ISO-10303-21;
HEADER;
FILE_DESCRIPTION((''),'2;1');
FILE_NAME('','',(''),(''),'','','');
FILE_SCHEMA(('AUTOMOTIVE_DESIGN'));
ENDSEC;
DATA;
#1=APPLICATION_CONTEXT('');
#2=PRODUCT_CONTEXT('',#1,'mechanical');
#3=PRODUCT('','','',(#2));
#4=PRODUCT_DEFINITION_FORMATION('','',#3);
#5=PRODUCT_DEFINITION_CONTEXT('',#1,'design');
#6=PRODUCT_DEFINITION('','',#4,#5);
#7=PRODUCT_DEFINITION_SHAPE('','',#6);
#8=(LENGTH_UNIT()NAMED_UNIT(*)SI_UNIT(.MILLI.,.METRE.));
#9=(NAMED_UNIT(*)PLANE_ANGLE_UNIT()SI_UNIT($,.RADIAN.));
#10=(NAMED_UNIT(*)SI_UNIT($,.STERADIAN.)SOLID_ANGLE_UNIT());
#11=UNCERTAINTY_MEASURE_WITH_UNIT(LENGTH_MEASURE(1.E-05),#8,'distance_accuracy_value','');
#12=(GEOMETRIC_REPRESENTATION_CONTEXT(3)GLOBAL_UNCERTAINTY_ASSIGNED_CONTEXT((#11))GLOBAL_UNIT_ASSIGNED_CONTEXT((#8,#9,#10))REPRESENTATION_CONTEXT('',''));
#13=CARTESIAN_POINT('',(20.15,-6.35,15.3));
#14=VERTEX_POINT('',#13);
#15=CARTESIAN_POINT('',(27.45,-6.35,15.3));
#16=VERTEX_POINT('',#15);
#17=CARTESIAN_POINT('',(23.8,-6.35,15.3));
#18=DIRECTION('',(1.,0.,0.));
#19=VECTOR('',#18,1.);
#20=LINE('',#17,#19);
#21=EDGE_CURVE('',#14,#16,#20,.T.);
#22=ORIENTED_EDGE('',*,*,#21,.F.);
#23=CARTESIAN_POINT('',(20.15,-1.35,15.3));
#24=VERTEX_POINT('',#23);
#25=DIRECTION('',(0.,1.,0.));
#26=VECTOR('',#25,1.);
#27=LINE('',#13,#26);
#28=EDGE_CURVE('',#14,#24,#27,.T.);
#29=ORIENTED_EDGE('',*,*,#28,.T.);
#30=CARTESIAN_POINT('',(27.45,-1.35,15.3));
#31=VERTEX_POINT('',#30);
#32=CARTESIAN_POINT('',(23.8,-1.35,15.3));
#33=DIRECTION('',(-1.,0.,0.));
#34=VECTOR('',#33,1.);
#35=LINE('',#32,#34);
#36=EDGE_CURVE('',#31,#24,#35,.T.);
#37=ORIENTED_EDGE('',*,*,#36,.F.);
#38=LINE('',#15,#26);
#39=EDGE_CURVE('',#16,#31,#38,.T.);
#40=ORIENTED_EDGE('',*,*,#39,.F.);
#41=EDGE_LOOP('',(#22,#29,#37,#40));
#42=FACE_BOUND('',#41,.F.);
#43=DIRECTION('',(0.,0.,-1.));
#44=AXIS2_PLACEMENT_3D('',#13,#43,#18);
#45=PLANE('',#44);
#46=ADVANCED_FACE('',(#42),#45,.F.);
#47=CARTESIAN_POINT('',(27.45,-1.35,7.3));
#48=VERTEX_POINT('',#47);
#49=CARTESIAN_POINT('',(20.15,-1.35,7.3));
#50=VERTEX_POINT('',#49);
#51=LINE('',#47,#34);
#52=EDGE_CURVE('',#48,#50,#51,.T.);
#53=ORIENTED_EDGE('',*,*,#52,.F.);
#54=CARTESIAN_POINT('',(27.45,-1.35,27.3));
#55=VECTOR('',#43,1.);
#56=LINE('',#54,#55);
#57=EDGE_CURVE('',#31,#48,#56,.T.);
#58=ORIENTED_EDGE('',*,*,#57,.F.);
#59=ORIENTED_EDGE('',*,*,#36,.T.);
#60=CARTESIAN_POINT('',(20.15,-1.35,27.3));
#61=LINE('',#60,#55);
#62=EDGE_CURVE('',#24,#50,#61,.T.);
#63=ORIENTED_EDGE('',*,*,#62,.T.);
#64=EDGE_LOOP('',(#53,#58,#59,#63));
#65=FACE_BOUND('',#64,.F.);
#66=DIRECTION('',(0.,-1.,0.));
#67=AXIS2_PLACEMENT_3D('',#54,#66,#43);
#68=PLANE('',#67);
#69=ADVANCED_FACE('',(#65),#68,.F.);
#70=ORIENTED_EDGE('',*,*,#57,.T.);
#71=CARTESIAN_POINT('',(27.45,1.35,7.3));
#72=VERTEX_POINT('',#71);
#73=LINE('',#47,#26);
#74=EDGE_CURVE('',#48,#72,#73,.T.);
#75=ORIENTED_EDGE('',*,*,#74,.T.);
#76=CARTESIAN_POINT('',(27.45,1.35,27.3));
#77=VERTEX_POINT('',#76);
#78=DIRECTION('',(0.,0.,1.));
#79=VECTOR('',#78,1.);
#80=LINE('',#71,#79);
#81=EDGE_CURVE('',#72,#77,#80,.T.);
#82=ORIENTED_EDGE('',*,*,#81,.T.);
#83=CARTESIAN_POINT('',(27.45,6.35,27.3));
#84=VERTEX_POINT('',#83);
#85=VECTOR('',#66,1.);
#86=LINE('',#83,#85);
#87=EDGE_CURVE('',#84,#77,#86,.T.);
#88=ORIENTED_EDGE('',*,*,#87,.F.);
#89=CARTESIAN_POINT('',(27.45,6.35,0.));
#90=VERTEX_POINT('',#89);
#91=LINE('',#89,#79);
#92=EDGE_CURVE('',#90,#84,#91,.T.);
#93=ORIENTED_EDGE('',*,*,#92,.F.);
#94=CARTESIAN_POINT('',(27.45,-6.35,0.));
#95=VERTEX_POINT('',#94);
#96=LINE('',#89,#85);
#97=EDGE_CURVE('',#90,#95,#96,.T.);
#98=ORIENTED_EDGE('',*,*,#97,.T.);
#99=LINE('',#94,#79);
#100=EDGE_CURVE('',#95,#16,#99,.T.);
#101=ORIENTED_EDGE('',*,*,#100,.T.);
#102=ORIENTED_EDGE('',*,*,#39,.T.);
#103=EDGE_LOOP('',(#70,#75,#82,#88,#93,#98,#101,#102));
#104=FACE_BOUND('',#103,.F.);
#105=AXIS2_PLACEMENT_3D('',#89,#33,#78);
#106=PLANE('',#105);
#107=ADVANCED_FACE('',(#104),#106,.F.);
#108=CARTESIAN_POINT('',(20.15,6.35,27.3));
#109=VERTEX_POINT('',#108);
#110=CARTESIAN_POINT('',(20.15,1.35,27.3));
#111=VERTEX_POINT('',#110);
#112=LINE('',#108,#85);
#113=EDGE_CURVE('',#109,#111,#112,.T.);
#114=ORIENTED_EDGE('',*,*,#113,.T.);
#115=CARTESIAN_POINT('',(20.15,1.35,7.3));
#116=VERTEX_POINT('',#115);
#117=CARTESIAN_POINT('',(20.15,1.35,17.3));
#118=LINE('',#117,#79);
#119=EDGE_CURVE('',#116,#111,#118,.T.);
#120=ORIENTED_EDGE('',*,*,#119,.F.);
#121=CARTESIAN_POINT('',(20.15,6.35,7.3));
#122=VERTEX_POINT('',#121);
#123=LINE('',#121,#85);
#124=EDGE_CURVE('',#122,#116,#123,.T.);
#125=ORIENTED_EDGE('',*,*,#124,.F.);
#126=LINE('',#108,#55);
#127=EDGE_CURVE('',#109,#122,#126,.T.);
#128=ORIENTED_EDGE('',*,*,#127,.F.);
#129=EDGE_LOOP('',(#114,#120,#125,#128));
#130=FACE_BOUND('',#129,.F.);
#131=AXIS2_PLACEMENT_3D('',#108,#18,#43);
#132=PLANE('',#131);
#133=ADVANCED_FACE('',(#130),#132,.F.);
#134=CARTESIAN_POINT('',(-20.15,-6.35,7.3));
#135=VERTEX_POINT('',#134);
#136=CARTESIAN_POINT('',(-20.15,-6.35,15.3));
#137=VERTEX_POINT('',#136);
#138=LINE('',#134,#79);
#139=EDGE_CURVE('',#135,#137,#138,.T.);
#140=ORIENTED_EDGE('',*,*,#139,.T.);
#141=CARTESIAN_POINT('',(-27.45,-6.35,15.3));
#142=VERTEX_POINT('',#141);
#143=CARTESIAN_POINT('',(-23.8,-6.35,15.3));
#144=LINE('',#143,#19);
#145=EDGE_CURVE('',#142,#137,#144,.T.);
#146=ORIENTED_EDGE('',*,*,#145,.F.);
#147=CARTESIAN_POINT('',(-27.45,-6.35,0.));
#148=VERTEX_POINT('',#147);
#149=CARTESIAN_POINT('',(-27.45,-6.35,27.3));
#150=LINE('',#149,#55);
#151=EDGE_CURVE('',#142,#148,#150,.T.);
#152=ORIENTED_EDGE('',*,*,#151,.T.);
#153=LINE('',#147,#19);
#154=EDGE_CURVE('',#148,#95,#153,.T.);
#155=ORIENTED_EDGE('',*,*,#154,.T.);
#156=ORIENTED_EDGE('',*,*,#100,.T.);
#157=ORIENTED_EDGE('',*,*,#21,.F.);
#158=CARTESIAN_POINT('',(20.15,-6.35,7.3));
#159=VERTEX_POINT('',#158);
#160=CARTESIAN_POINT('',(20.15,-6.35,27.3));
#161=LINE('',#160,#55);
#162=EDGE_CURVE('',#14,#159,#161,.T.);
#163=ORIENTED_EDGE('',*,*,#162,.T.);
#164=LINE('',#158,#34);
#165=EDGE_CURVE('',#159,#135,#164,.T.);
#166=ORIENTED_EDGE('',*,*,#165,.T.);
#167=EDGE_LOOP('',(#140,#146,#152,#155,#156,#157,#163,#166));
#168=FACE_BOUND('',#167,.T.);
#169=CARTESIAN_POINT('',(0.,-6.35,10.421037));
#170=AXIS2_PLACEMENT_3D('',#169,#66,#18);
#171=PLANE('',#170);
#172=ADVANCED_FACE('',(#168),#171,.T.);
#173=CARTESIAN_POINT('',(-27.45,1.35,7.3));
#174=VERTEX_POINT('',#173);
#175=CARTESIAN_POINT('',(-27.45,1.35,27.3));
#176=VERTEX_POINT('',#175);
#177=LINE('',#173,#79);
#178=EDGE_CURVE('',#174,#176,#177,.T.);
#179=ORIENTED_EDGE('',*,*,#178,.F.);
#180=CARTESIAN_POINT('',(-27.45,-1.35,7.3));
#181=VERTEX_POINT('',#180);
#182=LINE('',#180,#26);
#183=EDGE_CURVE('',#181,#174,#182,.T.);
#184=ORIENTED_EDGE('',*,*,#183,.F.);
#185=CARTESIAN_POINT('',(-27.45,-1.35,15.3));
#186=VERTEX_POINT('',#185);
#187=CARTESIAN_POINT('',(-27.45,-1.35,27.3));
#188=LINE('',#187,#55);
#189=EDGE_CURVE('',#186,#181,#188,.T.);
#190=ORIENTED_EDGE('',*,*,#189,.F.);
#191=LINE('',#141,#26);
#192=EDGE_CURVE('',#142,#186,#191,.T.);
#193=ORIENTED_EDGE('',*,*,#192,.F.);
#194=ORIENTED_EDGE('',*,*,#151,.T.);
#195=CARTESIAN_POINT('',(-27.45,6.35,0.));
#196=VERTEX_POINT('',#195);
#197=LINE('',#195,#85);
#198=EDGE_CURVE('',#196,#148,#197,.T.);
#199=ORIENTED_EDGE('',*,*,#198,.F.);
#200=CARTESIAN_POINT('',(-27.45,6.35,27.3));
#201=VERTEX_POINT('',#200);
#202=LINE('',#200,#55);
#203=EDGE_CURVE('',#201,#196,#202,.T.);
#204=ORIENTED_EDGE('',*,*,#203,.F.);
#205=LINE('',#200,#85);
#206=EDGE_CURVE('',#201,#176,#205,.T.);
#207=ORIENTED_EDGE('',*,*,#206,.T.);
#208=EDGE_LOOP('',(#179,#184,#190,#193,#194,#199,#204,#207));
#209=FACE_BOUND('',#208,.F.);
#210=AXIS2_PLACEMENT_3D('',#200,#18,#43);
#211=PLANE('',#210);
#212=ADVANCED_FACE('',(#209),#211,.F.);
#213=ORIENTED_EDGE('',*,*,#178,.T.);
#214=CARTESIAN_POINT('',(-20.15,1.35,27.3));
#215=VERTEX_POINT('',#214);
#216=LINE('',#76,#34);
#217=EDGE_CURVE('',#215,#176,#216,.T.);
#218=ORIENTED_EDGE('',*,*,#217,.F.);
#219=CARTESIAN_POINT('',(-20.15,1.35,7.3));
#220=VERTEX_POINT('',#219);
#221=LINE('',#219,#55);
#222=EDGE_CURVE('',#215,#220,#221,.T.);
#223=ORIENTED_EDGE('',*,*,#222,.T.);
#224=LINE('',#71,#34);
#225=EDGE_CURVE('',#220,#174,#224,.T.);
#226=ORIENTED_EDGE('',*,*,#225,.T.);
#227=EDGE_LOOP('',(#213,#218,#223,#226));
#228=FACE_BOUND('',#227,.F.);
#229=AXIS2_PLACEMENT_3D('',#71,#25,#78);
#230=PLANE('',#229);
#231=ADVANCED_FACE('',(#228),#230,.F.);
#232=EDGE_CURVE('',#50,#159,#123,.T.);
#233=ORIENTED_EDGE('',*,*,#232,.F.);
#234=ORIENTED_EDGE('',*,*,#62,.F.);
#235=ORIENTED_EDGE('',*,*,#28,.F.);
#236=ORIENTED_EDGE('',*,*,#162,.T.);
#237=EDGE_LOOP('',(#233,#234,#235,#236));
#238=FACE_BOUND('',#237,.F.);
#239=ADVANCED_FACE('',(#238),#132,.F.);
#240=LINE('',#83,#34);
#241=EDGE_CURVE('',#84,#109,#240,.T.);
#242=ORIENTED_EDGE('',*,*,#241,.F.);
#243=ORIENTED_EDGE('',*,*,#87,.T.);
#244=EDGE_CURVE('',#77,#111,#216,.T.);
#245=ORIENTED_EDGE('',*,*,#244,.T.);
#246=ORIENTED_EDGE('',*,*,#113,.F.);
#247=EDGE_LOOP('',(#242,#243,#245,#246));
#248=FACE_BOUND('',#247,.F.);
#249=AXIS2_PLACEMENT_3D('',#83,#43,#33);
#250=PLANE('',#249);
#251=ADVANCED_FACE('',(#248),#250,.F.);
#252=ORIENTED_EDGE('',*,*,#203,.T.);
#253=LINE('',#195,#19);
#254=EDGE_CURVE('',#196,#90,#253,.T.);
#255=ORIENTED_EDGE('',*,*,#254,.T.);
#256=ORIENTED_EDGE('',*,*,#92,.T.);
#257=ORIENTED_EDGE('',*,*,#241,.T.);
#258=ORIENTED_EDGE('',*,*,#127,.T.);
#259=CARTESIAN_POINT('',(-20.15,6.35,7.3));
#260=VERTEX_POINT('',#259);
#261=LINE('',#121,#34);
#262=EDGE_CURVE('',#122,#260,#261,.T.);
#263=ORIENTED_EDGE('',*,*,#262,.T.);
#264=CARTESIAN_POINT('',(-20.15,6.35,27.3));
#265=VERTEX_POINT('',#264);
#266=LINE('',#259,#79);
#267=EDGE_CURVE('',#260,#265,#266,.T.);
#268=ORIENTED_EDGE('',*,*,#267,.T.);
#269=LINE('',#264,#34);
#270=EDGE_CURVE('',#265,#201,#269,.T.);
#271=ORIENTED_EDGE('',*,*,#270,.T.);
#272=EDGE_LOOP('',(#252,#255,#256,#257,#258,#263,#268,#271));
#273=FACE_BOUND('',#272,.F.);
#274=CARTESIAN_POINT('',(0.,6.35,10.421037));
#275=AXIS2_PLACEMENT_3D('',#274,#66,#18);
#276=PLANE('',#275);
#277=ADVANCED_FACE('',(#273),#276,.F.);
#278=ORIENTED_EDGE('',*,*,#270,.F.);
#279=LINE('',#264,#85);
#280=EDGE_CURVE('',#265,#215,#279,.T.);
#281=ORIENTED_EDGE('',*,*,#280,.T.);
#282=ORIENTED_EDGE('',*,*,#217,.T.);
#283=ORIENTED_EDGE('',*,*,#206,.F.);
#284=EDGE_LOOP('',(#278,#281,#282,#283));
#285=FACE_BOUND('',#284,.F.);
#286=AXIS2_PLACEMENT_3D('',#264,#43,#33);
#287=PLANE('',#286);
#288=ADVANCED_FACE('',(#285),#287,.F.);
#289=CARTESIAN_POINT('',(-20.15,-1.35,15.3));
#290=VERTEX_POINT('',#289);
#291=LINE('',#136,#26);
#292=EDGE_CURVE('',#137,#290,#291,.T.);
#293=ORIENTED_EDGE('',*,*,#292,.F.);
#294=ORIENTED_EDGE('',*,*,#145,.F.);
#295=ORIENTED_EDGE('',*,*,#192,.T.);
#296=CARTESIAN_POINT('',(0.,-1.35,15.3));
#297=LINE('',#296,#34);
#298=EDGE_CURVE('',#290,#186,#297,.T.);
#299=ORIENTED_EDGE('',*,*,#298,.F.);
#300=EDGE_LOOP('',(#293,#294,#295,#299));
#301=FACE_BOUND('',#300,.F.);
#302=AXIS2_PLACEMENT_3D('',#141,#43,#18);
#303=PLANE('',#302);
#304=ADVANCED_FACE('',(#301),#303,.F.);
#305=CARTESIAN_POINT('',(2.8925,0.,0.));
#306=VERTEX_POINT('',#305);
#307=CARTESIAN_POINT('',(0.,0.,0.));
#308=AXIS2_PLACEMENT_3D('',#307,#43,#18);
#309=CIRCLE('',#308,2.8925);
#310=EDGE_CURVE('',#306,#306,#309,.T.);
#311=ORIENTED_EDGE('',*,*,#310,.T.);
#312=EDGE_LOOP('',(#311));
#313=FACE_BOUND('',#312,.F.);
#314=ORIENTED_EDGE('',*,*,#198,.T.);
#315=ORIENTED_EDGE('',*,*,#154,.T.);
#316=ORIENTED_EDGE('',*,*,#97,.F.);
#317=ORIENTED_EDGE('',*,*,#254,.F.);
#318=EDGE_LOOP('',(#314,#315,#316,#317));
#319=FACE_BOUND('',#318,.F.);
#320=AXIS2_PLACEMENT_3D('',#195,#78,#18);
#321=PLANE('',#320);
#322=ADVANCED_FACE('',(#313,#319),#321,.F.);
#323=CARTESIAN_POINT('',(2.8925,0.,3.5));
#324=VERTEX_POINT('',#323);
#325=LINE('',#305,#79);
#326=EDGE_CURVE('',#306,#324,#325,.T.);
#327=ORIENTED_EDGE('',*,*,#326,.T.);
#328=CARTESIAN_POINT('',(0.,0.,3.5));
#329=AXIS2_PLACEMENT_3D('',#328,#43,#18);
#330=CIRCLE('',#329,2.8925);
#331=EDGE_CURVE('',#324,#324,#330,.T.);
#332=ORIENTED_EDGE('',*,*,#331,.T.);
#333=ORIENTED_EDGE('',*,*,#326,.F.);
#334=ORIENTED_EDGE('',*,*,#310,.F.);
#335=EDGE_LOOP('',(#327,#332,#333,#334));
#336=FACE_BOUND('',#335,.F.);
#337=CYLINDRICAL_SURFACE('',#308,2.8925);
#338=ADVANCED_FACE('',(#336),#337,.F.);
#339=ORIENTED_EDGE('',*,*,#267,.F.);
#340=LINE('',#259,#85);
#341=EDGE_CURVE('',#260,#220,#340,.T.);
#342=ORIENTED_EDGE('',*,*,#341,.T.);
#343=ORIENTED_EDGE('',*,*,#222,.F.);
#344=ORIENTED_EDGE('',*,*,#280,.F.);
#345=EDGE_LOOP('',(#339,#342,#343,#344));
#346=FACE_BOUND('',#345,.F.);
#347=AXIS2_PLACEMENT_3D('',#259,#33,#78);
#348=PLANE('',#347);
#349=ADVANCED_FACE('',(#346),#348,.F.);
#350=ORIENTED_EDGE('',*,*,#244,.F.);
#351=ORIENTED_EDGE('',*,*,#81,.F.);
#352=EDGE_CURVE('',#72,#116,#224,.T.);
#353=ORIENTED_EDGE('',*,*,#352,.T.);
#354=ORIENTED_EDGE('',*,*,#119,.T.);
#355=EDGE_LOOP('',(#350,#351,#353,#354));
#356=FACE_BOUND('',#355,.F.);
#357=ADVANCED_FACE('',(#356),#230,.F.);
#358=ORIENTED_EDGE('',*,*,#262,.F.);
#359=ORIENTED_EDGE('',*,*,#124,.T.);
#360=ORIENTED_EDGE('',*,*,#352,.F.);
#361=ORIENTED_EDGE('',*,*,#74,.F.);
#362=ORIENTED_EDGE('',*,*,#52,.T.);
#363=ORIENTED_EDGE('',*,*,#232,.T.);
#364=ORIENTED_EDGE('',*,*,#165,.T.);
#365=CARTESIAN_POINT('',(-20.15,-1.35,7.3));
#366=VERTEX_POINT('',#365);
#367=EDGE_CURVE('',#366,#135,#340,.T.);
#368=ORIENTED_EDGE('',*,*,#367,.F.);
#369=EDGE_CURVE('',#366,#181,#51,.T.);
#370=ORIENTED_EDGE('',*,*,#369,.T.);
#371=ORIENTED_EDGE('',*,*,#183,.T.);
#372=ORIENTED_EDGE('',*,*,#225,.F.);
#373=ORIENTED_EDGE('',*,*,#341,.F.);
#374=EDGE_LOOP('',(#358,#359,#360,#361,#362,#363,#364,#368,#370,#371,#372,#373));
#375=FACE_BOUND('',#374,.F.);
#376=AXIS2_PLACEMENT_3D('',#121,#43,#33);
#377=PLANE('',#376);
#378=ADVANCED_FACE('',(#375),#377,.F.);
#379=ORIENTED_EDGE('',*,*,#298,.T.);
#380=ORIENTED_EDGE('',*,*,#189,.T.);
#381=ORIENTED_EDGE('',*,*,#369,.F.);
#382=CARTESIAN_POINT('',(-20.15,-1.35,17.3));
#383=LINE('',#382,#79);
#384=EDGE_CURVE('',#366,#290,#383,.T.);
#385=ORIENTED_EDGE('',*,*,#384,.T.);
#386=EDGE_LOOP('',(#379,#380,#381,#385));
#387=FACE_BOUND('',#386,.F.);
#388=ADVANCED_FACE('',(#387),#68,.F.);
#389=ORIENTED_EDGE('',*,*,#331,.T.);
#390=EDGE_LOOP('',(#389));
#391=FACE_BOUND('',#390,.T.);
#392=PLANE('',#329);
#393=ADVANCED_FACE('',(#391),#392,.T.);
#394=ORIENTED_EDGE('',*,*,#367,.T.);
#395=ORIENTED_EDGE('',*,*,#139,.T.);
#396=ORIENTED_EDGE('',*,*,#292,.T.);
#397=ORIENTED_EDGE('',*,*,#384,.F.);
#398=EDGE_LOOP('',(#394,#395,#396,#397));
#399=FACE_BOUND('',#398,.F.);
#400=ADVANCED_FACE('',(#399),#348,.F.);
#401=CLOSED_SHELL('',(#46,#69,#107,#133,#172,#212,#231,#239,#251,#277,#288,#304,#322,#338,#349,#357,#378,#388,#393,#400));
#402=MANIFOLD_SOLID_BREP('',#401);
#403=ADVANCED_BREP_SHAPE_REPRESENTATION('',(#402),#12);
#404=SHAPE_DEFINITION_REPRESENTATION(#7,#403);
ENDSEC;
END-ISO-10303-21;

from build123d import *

# Parameters (mm, degrees)
F1_DEPTH = 12.7
F2_ANGLE = 270
F3_W     = 7.3
F3_H     = 12
F4_DEPTH = 7.2
F6_DEPTH = 54.9
F7_R     = 2.8925
F8_DEPTH = 3.5


with BuildPart() as f1:
    # F0 (on Top) → F1 (new body)
    with BuildSketch(Plane.XY):
        Polygon((20.15, 10), (20.15, 0), (20.15, -10), (-20.15, -10), (-20.15, 0), (-20.15, 10), (-27.45, 10), (-27.45, -10), (-27.45, -17.3), (27.45, -17.3), (27.45, -10), (27.45, 10), align=None)
    extrude(amount=F1_DEPTH)


with BuildPart() as f1_1:
    # F2: moved
    add(f1.part.rotate(Axis((0, -17.3, 12.7), (-1, 0, 0)), F2_ANGLE))

    # F3 (on face) → F4 (cut)
    with BuildSketch(Plane.XZ.offset(17.3)):
        with Locations((23.8, 34)):
            Rectangle(F3_W, F3_H)
        with Locations((-23.8, 34)):
            Rectangle(F3_W, F3_H)
    extrude(amount=-F4_DEPTH, mode=Mode.SUBTRACT)

    # F5 (on face) → F6 (cut)
    with BuildSketch(Plane.YZ.offset(27.45)):
        Polygon((-12.3, 40), (-12.3, 28), (-12.3, 20), (-9.6, 20), (-9.6, 40), align=None)
    extrude(amount=-F6_DEPTH, mode=Mode.SUBTRACT)

    # F7 (on face) → F8 (cut)
    with BuildSketch(Plane(origin=(0, 0, 12.7), x_dir=(1, 0, 0), z_dir=(0, 0, -1))):
        with Locations((0, 10.95)):
            Circle(F7_R)
    extrude(amount=-F8_DEPTH, mode=Mode.SUBTRACT)


with BuildPart() as f1_2:
    # F9: moved
    add(f1_1.part.moved(Location((0, 10.95, -12.7))))


solid = f1_2.part
